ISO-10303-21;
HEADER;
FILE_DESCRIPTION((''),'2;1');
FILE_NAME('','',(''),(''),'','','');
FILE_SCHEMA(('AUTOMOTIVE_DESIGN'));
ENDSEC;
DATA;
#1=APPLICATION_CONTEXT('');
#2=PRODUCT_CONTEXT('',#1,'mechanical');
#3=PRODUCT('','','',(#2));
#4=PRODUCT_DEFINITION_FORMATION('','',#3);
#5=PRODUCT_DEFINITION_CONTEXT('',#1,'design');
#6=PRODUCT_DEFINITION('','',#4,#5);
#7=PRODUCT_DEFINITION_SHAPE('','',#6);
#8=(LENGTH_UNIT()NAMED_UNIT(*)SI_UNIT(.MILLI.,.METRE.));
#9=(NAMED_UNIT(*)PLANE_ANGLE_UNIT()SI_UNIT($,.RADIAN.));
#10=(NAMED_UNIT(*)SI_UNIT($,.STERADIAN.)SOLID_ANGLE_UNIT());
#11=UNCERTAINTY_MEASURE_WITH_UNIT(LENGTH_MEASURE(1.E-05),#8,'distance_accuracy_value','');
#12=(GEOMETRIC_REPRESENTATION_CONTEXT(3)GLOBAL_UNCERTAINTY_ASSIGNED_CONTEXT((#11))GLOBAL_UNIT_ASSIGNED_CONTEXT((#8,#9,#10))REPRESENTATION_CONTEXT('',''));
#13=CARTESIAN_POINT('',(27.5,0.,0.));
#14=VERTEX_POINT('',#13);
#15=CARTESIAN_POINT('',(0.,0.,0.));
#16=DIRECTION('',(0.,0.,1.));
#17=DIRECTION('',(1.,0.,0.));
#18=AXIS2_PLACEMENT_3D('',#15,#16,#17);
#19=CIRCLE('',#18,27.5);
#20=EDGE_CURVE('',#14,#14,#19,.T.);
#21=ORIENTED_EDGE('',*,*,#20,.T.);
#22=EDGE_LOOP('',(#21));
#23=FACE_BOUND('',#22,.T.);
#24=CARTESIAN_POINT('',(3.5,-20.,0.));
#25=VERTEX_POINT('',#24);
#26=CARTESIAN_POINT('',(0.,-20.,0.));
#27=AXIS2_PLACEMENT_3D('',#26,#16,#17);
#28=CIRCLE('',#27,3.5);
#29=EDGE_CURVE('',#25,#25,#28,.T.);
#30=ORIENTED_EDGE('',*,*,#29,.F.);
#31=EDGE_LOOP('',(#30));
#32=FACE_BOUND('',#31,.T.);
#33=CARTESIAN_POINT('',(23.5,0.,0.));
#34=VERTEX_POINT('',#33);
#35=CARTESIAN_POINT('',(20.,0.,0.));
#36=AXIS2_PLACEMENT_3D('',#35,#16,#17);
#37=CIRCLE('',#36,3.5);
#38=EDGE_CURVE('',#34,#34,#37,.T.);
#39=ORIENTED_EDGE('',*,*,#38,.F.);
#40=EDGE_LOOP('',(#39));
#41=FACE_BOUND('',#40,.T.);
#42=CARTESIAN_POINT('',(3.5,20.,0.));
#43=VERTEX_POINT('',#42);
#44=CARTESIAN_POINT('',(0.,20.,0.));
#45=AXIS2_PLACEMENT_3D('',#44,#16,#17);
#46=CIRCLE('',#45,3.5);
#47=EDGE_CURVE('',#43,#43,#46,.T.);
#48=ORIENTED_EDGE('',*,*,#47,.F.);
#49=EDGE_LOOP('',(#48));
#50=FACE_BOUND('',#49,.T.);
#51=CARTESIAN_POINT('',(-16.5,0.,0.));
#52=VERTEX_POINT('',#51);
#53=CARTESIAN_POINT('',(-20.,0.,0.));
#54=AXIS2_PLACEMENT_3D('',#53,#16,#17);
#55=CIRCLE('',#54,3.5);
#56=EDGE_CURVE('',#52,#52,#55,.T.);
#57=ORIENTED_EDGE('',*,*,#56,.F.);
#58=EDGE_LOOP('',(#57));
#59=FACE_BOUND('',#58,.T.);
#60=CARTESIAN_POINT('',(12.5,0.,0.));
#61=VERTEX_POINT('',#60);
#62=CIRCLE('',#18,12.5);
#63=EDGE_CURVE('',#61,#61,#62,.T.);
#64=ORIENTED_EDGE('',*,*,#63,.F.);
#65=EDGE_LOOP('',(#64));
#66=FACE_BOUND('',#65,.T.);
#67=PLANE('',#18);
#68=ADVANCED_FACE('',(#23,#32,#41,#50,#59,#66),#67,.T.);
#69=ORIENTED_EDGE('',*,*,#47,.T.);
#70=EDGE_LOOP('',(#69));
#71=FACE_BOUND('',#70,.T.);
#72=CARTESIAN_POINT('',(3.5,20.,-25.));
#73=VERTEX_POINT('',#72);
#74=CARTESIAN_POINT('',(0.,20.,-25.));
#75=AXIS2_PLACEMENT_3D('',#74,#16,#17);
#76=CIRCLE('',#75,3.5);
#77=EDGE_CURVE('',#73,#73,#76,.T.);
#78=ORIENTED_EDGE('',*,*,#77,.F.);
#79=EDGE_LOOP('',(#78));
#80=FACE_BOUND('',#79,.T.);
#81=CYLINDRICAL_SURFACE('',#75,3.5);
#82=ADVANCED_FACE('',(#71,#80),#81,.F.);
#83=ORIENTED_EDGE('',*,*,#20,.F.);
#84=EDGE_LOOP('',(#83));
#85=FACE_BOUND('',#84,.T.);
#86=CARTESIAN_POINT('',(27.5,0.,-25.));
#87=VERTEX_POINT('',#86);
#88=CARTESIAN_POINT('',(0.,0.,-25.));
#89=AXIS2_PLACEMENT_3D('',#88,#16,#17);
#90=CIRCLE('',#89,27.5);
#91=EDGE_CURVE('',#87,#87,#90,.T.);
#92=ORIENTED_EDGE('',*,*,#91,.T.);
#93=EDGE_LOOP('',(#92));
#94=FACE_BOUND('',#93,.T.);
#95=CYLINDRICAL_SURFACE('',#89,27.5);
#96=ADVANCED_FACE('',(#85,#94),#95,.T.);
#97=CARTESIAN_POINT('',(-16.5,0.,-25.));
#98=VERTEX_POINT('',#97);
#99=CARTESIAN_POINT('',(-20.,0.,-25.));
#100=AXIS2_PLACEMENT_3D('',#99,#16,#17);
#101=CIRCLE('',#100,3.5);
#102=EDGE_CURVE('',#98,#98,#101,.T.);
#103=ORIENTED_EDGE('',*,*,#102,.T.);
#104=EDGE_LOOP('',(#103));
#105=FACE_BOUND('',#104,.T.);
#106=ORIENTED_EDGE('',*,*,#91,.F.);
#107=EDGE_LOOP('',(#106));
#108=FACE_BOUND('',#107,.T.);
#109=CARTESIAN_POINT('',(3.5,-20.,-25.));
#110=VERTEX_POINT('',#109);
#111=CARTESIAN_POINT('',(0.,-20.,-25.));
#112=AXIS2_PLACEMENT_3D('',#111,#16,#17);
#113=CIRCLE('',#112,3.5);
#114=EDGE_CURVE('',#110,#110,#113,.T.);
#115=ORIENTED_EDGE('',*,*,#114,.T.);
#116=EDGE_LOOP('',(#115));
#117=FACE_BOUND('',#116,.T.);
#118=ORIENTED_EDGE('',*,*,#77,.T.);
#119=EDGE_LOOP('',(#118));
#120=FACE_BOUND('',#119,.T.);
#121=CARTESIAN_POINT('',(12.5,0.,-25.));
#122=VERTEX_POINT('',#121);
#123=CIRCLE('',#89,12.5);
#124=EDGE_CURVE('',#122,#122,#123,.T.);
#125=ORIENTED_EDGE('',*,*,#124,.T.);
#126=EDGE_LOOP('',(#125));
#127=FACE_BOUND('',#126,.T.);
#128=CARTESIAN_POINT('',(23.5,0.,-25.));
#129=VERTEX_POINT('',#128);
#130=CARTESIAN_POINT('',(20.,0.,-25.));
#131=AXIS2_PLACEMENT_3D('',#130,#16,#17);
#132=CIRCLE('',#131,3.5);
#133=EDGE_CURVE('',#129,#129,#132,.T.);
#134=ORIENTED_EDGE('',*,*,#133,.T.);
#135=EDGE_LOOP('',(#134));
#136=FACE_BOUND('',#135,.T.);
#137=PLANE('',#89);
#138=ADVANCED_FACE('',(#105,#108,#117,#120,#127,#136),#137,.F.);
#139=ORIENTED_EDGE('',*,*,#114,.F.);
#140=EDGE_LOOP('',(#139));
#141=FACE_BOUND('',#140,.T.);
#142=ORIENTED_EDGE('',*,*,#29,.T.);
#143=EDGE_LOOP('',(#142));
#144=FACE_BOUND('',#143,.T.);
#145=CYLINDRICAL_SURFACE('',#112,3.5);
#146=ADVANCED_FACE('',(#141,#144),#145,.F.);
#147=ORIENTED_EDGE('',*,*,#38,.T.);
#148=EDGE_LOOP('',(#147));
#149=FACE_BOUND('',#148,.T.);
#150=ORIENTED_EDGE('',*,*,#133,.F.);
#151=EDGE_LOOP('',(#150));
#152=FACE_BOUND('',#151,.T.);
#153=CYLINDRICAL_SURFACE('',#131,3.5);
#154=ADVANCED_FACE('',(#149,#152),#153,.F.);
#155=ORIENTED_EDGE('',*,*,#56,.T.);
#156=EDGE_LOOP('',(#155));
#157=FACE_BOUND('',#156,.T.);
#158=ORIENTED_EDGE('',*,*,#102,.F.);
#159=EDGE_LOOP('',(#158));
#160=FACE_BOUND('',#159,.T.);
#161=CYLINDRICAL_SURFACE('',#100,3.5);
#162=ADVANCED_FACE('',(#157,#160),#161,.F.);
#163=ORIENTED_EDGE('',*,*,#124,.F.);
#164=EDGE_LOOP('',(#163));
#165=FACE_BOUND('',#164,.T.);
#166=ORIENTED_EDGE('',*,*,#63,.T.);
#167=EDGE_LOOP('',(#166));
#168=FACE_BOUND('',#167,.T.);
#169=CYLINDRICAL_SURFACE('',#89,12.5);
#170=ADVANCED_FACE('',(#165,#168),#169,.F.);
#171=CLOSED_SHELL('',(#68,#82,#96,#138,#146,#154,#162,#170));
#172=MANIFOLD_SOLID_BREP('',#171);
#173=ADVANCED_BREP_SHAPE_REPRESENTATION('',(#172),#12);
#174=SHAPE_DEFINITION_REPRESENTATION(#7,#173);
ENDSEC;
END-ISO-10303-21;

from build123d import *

# Parameters (mm, degrees)
SKETCH_1_R          = 27.5
EXTRUDE_1_DEPTH     = 25
SKETCH_2_R          = 12.5
SKETCH_2_R_2        = 3.5
CUT_EXTRUDE_1_DEPTH = 25


with BuildPart() as part:
    # 草图1 → 凸台-拉伸1 (new body)
    with BuildSketch(Plane.XY):
        Circle(SKETCH_1_R)
    extrude(amount=-EXTRUDE_1_DEPTH)

    # 草图2 → 切除-拉伸1 (cut)
    with BuildSketch(Plane.XY):
        Circle(SKETCH_2_R)
        with Locations((20, 0)):
            Circle(SKETCH_2_R_2)
        with Locations((0, 20)):
            Circle(SKETCH_2_R_2)
        with Locations((-20, 0)):
            Circle(SKETCH_2_R_2)
        with Locations((0, -20)):
            Circle(SKETCH_2_R_2)
    extrude(amount=-CUT_EXTRUDE_1_DEPTH, mode=Mode.SUBTRACT)


solid = part.part
